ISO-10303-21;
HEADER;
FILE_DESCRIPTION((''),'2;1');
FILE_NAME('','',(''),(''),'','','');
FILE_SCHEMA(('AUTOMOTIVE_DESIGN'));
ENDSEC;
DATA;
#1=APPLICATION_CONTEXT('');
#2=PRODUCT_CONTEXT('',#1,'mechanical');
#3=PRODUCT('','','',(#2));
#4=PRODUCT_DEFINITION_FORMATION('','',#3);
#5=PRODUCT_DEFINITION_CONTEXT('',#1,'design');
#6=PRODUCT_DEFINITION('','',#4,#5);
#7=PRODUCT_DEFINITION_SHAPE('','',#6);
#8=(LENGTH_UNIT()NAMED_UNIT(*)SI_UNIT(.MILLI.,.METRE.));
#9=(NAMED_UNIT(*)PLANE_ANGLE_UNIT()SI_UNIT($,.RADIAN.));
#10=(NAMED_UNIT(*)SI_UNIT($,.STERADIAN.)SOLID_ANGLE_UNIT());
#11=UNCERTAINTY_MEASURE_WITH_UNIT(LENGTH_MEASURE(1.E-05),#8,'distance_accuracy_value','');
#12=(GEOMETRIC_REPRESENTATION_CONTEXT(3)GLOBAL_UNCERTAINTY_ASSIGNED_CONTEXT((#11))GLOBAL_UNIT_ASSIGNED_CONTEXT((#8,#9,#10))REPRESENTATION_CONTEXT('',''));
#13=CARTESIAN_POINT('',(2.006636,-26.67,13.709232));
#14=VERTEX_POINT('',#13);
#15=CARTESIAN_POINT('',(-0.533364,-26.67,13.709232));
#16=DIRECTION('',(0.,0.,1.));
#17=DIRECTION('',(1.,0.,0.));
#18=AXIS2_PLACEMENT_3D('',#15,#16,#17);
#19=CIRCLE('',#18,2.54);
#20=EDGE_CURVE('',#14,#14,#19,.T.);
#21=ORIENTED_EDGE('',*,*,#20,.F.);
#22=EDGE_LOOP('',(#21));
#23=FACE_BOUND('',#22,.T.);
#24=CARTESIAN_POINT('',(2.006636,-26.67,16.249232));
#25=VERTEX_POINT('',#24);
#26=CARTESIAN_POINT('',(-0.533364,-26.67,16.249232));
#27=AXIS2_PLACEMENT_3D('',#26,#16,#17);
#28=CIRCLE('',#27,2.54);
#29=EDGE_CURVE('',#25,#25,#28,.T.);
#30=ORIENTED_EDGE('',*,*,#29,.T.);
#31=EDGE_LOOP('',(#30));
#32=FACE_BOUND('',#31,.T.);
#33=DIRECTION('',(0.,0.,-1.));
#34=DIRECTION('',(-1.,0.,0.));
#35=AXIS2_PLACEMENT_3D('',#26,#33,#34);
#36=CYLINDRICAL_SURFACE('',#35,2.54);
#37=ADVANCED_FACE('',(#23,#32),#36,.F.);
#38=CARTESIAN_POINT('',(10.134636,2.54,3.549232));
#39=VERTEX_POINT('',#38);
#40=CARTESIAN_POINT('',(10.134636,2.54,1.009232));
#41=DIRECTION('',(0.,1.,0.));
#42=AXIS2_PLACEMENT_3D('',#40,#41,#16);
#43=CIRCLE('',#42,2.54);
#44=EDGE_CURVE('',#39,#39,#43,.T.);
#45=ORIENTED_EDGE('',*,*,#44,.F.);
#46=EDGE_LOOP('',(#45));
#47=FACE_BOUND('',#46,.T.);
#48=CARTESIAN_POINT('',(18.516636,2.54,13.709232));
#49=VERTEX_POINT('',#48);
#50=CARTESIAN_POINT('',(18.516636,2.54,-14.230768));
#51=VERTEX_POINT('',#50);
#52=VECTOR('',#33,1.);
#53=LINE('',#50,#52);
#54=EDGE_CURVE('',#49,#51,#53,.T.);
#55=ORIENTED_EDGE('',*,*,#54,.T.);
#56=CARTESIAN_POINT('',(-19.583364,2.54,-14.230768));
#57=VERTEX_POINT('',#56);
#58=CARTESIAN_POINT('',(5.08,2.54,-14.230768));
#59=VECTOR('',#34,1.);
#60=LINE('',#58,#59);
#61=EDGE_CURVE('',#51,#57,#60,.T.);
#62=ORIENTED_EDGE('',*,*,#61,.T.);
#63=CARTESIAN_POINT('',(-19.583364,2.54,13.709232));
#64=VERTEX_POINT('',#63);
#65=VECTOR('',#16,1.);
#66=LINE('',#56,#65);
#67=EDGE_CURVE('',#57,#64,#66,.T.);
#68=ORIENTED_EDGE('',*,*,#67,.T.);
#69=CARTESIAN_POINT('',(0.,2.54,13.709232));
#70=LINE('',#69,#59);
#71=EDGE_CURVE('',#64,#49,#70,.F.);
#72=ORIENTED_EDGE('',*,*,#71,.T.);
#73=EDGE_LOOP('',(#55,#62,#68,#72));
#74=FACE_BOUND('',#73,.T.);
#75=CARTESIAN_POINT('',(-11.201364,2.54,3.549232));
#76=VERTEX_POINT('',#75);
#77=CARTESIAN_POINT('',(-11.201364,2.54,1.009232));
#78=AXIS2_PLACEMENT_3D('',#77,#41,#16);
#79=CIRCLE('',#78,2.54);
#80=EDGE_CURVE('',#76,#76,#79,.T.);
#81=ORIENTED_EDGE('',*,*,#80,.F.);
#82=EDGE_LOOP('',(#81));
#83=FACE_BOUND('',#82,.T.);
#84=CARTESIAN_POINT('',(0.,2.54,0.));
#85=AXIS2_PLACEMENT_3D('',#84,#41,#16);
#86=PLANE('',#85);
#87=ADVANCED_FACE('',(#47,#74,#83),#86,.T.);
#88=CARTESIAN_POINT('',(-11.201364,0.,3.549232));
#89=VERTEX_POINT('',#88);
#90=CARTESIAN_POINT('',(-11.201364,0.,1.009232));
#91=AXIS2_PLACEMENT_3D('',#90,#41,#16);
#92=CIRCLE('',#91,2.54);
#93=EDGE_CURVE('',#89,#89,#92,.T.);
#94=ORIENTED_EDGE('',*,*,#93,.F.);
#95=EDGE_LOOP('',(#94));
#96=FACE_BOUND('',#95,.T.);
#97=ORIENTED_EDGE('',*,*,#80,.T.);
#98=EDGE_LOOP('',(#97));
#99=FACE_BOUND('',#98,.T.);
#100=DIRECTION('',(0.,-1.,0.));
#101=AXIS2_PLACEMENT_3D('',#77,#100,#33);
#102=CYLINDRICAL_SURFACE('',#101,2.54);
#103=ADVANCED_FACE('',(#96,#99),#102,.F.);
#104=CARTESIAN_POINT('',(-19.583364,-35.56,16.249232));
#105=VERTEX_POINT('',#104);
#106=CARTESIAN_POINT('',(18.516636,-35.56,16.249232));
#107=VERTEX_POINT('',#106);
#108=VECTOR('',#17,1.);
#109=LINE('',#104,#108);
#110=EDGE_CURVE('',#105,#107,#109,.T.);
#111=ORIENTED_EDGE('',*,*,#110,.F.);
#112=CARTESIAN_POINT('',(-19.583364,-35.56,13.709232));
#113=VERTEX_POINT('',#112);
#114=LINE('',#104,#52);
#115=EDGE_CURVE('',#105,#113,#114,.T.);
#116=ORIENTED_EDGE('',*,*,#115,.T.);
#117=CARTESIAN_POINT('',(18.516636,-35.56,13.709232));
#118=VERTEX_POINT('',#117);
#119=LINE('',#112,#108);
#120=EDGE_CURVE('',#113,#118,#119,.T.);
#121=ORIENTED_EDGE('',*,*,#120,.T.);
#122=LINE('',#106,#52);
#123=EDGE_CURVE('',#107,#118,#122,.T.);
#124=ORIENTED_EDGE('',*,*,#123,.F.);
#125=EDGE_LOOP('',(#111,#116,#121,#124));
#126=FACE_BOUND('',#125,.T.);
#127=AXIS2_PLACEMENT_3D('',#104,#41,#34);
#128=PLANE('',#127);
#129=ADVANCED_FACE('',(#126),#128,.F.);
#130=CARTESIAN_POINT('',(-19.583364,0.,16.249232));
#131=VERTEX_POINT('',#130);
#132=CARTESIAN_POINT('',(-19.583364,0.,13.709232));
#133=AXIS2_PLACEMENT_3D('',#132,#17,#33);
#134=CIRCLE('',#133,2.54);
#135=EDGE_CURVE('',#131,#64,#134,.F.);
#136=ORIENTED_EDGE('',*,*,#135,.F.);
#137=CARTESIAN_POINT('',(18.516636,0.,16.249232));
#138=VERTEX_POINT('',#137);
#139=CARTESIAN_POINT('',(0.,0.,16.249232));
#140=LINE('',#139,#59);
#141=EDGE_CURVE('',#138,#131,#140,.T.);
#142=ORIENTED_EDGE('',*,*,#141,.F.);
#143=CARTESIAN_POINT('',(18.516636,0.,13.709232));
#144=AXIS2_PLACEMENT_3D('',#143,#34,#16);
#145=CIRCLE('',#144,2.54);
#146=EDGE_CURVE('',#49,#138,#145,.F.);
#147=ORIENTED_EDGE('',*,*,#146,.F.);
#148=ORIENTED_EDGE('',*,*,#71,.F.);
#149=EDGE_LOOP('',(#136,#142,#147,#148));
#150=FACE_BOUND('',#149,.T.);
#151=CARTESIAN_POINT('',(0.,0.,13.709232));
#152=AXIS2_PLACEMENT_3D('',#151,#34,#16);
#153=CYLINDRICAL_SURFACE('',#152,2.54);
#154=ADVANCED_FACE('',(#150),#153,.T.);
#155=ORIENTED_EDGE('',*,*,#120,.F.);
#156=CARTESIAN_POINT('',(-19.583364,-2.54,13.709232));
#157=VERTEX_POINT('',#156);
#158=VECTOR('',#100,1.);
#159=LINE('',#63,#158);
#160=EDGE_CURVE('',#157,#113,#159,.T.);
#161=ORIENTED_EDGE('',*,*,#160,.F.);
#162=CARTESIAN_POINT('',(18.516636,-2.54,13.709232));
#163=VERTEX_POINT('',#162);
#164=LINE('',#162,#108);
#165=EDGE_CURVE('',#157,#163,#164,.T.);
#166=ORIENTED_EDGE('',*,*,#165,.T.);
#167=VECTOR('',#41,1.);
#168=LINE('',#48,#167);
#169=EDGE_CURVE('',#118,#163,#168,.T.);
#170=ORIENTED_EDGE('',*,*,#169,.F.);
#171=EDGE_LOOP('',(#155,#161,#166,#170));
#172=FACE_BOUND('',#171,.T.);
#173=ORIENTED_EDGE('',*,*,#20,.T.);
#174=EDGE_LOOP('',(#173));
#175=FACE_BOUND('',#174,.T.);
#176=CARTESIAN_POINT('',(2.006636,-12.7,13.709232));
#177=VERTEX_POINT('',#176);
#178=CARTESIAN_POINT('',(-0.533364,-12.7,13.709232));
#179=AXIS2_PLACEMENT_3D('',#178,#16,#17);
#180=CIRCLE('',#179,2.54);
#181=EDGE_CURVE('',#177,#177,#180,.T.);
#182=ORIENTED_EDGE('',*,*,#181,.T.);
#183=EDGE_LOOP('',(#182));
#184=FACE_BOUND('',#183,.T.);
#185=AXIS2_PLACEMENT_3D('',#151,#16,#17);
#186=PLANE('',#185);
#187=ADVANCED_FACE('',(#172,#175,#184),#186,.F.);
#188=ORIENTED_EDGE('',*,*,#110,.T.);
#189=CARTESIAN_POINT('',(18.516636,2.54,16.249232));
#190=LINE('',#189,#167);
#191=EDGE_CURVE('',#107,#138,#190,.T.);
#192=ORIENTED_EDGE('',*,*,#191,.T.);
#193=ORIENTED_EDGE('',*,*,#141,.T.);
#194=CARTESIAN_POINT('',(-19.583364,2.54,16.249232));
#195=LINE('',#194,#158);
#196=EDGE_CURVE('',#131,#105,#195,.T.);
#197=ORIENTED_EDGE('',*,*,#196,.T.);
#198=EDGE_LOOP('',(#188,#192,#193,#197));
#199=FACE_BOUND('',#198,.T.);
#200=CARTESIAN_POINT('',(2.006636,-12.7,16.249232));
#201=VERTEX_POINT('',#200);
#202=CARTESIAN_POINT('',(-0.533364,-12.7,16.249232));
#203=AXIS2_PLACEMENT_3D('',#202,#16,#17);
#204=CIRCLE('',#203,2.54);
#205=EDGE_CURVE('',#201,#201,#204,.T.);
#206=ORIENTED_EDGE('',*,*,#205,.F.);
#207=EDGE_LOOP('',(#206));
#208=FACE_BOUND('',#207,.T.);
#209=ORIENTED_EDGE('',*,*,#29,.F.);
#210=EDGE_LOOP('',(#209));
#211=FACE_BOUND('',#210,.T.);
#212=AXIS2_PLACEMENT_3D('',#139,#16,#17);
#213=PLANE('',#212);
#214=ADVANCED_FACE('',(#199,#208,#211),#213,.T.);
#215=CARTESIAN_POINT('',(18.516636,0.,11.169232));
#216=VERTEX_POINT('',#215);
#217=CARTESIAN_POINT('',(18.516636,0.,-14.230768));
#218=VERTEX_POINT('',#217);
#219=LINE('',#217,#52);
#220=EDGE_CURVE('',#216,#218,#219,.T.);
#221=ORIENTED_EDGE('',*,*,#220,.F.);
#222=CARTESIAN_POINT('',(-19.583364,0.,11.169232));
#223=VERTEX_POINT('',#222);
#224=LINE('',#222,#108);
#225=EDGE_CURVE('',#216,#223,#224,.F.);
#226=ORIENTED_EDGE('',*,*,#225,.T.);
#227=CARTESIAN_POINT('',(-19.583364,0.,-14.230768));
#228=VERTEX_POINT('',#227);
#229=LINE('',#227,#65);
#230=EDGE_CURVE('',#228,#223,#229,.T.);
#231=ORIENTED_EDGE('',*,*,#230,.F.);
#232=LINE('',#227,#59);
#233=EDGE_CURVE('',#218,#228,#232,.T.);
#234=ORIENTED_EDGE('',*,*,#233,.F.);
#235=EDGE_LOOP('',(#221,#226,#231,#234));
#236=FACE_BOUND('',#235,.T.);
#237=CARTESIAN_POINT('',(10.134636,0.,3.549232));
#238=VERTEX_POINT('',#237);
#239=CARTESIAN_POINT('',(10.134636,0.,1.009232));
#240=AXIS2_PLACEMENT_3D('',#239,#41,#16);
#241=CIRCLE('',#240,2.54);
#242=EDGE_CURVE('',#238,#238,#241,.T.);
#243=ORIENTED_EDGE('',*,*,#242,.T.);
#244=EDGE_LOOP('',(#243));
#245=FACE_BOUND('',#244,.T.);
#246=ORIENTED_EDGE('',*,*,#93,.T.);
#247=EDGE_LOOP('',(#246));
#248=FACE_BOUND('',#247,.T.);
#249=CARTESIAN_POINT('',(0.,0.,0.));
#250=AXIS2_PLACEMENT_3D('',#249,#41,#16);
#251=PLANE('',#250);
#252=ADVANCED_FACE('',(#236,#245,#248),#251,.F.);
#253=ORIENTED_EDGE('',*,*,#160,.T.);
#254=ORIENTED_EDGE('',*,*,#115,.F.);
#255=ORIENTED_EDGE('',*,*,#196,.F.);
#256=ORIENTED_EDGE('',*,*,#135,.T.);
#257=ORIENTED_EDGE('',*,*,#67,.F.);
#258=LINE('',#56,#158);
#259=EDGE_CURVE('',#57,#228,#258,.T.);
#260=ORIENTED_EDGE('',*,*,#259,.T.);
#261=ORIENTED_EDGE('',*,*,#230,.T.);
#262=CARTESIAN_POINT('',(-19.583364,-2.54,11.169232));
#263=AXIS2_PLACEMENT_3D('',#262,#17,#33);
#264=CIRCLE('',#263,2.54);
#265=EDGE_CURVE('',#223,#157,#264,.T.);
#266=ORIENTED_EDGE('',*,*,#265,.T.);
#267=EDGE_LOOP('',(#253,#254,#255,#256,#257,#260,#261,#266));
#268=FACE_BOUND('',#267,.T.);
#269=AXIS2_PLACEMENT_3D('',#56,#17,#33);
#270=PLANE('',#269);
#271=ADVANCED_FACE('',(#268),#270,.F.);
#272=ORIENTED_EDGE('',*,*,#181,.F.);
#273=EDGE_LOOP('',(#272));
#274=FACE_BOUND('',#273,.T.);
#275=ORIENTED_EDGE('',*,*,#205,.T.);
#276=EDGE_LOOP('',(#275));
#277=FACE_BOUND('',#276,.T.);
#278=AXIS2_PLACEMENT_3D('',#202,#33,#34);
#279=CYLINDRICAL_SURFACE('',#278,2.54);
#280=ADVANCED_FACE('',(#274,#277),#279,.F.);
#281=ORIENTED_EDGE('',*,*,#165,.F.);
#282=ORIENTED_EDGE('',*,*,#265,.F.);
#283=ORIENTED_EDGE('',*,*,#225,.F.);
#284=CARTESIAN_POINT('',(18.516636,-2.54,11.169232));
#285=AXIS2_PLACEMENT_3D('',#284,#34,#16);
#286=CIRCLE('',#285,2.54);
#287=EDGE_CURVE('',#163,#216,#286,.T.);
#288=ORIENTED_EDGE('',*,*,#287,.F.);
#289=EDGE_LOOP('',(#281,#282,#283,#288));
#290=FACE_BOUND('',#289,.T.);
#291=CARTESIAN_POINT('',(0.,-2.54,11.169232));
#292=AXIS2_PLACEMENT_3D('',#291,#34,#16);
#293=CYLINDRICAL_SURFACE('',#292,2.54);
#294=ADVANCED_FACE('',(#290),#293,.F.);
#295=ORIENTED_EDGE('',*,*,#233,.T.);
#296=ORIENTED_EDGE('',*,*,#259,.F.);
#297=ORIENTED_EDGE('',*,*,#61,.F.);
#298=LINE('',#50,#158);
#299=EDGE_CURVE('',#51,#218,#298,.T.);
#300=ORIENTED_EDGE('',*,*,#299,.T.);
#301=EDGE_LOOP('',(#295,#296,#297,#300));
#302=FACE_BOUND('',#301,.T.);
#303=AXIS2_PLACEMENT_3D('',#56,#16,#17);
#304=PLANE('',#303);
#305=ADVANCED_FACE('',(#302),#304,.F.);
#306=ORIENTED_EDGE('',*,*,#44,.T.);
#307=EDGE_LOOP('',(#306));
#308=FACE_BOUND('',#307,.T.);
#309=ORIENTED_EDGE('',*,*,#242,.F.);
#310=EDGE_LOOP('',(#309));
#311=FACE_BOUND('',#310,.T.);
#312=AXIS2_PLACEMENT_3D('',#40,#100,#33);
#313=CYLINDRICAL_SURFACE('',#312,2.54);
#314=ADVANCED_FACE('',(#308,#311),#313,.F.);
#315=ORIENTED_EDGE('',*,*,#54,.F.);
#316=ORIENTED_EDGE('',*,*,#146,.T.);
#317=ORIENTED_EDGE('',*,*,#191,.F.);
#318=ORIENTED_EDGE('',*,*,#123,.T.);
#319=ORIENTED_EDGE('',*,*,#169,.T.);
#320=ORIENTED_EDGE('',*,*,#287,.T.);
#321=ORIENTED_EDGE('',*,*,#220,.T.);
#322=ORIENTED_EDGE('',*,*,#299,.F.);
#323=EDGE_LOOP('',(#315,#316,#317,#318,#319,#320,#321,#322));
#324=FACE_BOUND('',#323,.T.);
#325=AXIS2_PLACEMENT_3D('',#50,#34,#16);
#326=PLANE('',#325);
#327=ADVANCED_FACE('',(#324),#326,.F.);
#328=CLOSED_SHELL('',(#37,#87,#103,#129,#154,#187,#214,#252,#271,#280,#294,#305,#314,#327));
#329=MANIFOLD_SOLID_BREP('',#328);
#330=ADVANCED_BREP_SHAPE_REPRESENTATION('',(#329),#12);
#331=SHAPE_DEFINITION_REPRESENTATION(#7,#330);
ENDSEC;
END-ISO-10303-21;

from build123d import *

# Parameters (mm, degrees)
SKETCH1_R           = 2.54
BOSS_EXTRUDE1_DEPTH = 2.54
SKETCH2_W           = 38.1
SKETCH2_H           = 38.1
SKETCH2_R           = 2.54
BOSS_EXTRUDE2_DEPTH = 2.54
FILLET2_R           = 2.54
FILLET3_R           = 2.54


with BuildPart() as part:
    # Sketch1 → Boss-Extrude1 (new body)
    with BuildSketch(Plane(origin=(0, 0, 0), x_dir=(1, 0, 0), z_dir=(0, 1, 0))):
        Polygon((-19.583364039, 14.230768135), (-5.08, 14.230768135), (5.08, 14.230768135), (18.516635961, 14.230768135), (18.516635961, -13.709231865), (-19.583364039, -13.709231865), align=None)
        with Locations(Location((-11.201364039, -1.009231865, 0), (0, 0, 270))):
            Circle(SKETCH1_R, mode=Mode.SUBTRACT)
        with Locations(Location((10.134635961, -1.009231865, 0), (0, 0, 270))):
            Circle(SKETCH1_R, mode=Mode.SUBTRACT)
    extrude(amount=BOSS_EXTRUDE1_DEPTH)

    # Sketch2 → Boss-Extrude2 (add)
    with BuildSketch(Plane.XY.offset(13.709231865)):
        with Locations((-0.533364039, -16.51)):
            Rectangle(SKETCH2_W, SKETCH2_H)
        with Locations((-0.533364039, -12.7)):
            Circle(SKETCH2_R, mode=Mode.SUBTRACT)
        with Locations((-0.533364039, -26.67)):
            Circle(SKETCH2_R, mode=Mode.SUBTRACT)
    extrude(amount=BOSS_EXTRUDE2_DEPTH)

    # Fillet2
    fillet2_edges = [part.edges().sort_by_distance(p)[0] for p in [
        (-0.533364039, 0, 13.709231865),
    ]]
    fillet(fillet2_edges, radius=FILLET2_R)

    # Fillet3
    fillet3_edges = [part.edges().sort_by_distance(p)[0] for p in [
        (-0.533364039, 2.54, 16.249231865),
    ]]
    fillet(fillet3_edges, radius=FILLET3_R)


solid = part.part
